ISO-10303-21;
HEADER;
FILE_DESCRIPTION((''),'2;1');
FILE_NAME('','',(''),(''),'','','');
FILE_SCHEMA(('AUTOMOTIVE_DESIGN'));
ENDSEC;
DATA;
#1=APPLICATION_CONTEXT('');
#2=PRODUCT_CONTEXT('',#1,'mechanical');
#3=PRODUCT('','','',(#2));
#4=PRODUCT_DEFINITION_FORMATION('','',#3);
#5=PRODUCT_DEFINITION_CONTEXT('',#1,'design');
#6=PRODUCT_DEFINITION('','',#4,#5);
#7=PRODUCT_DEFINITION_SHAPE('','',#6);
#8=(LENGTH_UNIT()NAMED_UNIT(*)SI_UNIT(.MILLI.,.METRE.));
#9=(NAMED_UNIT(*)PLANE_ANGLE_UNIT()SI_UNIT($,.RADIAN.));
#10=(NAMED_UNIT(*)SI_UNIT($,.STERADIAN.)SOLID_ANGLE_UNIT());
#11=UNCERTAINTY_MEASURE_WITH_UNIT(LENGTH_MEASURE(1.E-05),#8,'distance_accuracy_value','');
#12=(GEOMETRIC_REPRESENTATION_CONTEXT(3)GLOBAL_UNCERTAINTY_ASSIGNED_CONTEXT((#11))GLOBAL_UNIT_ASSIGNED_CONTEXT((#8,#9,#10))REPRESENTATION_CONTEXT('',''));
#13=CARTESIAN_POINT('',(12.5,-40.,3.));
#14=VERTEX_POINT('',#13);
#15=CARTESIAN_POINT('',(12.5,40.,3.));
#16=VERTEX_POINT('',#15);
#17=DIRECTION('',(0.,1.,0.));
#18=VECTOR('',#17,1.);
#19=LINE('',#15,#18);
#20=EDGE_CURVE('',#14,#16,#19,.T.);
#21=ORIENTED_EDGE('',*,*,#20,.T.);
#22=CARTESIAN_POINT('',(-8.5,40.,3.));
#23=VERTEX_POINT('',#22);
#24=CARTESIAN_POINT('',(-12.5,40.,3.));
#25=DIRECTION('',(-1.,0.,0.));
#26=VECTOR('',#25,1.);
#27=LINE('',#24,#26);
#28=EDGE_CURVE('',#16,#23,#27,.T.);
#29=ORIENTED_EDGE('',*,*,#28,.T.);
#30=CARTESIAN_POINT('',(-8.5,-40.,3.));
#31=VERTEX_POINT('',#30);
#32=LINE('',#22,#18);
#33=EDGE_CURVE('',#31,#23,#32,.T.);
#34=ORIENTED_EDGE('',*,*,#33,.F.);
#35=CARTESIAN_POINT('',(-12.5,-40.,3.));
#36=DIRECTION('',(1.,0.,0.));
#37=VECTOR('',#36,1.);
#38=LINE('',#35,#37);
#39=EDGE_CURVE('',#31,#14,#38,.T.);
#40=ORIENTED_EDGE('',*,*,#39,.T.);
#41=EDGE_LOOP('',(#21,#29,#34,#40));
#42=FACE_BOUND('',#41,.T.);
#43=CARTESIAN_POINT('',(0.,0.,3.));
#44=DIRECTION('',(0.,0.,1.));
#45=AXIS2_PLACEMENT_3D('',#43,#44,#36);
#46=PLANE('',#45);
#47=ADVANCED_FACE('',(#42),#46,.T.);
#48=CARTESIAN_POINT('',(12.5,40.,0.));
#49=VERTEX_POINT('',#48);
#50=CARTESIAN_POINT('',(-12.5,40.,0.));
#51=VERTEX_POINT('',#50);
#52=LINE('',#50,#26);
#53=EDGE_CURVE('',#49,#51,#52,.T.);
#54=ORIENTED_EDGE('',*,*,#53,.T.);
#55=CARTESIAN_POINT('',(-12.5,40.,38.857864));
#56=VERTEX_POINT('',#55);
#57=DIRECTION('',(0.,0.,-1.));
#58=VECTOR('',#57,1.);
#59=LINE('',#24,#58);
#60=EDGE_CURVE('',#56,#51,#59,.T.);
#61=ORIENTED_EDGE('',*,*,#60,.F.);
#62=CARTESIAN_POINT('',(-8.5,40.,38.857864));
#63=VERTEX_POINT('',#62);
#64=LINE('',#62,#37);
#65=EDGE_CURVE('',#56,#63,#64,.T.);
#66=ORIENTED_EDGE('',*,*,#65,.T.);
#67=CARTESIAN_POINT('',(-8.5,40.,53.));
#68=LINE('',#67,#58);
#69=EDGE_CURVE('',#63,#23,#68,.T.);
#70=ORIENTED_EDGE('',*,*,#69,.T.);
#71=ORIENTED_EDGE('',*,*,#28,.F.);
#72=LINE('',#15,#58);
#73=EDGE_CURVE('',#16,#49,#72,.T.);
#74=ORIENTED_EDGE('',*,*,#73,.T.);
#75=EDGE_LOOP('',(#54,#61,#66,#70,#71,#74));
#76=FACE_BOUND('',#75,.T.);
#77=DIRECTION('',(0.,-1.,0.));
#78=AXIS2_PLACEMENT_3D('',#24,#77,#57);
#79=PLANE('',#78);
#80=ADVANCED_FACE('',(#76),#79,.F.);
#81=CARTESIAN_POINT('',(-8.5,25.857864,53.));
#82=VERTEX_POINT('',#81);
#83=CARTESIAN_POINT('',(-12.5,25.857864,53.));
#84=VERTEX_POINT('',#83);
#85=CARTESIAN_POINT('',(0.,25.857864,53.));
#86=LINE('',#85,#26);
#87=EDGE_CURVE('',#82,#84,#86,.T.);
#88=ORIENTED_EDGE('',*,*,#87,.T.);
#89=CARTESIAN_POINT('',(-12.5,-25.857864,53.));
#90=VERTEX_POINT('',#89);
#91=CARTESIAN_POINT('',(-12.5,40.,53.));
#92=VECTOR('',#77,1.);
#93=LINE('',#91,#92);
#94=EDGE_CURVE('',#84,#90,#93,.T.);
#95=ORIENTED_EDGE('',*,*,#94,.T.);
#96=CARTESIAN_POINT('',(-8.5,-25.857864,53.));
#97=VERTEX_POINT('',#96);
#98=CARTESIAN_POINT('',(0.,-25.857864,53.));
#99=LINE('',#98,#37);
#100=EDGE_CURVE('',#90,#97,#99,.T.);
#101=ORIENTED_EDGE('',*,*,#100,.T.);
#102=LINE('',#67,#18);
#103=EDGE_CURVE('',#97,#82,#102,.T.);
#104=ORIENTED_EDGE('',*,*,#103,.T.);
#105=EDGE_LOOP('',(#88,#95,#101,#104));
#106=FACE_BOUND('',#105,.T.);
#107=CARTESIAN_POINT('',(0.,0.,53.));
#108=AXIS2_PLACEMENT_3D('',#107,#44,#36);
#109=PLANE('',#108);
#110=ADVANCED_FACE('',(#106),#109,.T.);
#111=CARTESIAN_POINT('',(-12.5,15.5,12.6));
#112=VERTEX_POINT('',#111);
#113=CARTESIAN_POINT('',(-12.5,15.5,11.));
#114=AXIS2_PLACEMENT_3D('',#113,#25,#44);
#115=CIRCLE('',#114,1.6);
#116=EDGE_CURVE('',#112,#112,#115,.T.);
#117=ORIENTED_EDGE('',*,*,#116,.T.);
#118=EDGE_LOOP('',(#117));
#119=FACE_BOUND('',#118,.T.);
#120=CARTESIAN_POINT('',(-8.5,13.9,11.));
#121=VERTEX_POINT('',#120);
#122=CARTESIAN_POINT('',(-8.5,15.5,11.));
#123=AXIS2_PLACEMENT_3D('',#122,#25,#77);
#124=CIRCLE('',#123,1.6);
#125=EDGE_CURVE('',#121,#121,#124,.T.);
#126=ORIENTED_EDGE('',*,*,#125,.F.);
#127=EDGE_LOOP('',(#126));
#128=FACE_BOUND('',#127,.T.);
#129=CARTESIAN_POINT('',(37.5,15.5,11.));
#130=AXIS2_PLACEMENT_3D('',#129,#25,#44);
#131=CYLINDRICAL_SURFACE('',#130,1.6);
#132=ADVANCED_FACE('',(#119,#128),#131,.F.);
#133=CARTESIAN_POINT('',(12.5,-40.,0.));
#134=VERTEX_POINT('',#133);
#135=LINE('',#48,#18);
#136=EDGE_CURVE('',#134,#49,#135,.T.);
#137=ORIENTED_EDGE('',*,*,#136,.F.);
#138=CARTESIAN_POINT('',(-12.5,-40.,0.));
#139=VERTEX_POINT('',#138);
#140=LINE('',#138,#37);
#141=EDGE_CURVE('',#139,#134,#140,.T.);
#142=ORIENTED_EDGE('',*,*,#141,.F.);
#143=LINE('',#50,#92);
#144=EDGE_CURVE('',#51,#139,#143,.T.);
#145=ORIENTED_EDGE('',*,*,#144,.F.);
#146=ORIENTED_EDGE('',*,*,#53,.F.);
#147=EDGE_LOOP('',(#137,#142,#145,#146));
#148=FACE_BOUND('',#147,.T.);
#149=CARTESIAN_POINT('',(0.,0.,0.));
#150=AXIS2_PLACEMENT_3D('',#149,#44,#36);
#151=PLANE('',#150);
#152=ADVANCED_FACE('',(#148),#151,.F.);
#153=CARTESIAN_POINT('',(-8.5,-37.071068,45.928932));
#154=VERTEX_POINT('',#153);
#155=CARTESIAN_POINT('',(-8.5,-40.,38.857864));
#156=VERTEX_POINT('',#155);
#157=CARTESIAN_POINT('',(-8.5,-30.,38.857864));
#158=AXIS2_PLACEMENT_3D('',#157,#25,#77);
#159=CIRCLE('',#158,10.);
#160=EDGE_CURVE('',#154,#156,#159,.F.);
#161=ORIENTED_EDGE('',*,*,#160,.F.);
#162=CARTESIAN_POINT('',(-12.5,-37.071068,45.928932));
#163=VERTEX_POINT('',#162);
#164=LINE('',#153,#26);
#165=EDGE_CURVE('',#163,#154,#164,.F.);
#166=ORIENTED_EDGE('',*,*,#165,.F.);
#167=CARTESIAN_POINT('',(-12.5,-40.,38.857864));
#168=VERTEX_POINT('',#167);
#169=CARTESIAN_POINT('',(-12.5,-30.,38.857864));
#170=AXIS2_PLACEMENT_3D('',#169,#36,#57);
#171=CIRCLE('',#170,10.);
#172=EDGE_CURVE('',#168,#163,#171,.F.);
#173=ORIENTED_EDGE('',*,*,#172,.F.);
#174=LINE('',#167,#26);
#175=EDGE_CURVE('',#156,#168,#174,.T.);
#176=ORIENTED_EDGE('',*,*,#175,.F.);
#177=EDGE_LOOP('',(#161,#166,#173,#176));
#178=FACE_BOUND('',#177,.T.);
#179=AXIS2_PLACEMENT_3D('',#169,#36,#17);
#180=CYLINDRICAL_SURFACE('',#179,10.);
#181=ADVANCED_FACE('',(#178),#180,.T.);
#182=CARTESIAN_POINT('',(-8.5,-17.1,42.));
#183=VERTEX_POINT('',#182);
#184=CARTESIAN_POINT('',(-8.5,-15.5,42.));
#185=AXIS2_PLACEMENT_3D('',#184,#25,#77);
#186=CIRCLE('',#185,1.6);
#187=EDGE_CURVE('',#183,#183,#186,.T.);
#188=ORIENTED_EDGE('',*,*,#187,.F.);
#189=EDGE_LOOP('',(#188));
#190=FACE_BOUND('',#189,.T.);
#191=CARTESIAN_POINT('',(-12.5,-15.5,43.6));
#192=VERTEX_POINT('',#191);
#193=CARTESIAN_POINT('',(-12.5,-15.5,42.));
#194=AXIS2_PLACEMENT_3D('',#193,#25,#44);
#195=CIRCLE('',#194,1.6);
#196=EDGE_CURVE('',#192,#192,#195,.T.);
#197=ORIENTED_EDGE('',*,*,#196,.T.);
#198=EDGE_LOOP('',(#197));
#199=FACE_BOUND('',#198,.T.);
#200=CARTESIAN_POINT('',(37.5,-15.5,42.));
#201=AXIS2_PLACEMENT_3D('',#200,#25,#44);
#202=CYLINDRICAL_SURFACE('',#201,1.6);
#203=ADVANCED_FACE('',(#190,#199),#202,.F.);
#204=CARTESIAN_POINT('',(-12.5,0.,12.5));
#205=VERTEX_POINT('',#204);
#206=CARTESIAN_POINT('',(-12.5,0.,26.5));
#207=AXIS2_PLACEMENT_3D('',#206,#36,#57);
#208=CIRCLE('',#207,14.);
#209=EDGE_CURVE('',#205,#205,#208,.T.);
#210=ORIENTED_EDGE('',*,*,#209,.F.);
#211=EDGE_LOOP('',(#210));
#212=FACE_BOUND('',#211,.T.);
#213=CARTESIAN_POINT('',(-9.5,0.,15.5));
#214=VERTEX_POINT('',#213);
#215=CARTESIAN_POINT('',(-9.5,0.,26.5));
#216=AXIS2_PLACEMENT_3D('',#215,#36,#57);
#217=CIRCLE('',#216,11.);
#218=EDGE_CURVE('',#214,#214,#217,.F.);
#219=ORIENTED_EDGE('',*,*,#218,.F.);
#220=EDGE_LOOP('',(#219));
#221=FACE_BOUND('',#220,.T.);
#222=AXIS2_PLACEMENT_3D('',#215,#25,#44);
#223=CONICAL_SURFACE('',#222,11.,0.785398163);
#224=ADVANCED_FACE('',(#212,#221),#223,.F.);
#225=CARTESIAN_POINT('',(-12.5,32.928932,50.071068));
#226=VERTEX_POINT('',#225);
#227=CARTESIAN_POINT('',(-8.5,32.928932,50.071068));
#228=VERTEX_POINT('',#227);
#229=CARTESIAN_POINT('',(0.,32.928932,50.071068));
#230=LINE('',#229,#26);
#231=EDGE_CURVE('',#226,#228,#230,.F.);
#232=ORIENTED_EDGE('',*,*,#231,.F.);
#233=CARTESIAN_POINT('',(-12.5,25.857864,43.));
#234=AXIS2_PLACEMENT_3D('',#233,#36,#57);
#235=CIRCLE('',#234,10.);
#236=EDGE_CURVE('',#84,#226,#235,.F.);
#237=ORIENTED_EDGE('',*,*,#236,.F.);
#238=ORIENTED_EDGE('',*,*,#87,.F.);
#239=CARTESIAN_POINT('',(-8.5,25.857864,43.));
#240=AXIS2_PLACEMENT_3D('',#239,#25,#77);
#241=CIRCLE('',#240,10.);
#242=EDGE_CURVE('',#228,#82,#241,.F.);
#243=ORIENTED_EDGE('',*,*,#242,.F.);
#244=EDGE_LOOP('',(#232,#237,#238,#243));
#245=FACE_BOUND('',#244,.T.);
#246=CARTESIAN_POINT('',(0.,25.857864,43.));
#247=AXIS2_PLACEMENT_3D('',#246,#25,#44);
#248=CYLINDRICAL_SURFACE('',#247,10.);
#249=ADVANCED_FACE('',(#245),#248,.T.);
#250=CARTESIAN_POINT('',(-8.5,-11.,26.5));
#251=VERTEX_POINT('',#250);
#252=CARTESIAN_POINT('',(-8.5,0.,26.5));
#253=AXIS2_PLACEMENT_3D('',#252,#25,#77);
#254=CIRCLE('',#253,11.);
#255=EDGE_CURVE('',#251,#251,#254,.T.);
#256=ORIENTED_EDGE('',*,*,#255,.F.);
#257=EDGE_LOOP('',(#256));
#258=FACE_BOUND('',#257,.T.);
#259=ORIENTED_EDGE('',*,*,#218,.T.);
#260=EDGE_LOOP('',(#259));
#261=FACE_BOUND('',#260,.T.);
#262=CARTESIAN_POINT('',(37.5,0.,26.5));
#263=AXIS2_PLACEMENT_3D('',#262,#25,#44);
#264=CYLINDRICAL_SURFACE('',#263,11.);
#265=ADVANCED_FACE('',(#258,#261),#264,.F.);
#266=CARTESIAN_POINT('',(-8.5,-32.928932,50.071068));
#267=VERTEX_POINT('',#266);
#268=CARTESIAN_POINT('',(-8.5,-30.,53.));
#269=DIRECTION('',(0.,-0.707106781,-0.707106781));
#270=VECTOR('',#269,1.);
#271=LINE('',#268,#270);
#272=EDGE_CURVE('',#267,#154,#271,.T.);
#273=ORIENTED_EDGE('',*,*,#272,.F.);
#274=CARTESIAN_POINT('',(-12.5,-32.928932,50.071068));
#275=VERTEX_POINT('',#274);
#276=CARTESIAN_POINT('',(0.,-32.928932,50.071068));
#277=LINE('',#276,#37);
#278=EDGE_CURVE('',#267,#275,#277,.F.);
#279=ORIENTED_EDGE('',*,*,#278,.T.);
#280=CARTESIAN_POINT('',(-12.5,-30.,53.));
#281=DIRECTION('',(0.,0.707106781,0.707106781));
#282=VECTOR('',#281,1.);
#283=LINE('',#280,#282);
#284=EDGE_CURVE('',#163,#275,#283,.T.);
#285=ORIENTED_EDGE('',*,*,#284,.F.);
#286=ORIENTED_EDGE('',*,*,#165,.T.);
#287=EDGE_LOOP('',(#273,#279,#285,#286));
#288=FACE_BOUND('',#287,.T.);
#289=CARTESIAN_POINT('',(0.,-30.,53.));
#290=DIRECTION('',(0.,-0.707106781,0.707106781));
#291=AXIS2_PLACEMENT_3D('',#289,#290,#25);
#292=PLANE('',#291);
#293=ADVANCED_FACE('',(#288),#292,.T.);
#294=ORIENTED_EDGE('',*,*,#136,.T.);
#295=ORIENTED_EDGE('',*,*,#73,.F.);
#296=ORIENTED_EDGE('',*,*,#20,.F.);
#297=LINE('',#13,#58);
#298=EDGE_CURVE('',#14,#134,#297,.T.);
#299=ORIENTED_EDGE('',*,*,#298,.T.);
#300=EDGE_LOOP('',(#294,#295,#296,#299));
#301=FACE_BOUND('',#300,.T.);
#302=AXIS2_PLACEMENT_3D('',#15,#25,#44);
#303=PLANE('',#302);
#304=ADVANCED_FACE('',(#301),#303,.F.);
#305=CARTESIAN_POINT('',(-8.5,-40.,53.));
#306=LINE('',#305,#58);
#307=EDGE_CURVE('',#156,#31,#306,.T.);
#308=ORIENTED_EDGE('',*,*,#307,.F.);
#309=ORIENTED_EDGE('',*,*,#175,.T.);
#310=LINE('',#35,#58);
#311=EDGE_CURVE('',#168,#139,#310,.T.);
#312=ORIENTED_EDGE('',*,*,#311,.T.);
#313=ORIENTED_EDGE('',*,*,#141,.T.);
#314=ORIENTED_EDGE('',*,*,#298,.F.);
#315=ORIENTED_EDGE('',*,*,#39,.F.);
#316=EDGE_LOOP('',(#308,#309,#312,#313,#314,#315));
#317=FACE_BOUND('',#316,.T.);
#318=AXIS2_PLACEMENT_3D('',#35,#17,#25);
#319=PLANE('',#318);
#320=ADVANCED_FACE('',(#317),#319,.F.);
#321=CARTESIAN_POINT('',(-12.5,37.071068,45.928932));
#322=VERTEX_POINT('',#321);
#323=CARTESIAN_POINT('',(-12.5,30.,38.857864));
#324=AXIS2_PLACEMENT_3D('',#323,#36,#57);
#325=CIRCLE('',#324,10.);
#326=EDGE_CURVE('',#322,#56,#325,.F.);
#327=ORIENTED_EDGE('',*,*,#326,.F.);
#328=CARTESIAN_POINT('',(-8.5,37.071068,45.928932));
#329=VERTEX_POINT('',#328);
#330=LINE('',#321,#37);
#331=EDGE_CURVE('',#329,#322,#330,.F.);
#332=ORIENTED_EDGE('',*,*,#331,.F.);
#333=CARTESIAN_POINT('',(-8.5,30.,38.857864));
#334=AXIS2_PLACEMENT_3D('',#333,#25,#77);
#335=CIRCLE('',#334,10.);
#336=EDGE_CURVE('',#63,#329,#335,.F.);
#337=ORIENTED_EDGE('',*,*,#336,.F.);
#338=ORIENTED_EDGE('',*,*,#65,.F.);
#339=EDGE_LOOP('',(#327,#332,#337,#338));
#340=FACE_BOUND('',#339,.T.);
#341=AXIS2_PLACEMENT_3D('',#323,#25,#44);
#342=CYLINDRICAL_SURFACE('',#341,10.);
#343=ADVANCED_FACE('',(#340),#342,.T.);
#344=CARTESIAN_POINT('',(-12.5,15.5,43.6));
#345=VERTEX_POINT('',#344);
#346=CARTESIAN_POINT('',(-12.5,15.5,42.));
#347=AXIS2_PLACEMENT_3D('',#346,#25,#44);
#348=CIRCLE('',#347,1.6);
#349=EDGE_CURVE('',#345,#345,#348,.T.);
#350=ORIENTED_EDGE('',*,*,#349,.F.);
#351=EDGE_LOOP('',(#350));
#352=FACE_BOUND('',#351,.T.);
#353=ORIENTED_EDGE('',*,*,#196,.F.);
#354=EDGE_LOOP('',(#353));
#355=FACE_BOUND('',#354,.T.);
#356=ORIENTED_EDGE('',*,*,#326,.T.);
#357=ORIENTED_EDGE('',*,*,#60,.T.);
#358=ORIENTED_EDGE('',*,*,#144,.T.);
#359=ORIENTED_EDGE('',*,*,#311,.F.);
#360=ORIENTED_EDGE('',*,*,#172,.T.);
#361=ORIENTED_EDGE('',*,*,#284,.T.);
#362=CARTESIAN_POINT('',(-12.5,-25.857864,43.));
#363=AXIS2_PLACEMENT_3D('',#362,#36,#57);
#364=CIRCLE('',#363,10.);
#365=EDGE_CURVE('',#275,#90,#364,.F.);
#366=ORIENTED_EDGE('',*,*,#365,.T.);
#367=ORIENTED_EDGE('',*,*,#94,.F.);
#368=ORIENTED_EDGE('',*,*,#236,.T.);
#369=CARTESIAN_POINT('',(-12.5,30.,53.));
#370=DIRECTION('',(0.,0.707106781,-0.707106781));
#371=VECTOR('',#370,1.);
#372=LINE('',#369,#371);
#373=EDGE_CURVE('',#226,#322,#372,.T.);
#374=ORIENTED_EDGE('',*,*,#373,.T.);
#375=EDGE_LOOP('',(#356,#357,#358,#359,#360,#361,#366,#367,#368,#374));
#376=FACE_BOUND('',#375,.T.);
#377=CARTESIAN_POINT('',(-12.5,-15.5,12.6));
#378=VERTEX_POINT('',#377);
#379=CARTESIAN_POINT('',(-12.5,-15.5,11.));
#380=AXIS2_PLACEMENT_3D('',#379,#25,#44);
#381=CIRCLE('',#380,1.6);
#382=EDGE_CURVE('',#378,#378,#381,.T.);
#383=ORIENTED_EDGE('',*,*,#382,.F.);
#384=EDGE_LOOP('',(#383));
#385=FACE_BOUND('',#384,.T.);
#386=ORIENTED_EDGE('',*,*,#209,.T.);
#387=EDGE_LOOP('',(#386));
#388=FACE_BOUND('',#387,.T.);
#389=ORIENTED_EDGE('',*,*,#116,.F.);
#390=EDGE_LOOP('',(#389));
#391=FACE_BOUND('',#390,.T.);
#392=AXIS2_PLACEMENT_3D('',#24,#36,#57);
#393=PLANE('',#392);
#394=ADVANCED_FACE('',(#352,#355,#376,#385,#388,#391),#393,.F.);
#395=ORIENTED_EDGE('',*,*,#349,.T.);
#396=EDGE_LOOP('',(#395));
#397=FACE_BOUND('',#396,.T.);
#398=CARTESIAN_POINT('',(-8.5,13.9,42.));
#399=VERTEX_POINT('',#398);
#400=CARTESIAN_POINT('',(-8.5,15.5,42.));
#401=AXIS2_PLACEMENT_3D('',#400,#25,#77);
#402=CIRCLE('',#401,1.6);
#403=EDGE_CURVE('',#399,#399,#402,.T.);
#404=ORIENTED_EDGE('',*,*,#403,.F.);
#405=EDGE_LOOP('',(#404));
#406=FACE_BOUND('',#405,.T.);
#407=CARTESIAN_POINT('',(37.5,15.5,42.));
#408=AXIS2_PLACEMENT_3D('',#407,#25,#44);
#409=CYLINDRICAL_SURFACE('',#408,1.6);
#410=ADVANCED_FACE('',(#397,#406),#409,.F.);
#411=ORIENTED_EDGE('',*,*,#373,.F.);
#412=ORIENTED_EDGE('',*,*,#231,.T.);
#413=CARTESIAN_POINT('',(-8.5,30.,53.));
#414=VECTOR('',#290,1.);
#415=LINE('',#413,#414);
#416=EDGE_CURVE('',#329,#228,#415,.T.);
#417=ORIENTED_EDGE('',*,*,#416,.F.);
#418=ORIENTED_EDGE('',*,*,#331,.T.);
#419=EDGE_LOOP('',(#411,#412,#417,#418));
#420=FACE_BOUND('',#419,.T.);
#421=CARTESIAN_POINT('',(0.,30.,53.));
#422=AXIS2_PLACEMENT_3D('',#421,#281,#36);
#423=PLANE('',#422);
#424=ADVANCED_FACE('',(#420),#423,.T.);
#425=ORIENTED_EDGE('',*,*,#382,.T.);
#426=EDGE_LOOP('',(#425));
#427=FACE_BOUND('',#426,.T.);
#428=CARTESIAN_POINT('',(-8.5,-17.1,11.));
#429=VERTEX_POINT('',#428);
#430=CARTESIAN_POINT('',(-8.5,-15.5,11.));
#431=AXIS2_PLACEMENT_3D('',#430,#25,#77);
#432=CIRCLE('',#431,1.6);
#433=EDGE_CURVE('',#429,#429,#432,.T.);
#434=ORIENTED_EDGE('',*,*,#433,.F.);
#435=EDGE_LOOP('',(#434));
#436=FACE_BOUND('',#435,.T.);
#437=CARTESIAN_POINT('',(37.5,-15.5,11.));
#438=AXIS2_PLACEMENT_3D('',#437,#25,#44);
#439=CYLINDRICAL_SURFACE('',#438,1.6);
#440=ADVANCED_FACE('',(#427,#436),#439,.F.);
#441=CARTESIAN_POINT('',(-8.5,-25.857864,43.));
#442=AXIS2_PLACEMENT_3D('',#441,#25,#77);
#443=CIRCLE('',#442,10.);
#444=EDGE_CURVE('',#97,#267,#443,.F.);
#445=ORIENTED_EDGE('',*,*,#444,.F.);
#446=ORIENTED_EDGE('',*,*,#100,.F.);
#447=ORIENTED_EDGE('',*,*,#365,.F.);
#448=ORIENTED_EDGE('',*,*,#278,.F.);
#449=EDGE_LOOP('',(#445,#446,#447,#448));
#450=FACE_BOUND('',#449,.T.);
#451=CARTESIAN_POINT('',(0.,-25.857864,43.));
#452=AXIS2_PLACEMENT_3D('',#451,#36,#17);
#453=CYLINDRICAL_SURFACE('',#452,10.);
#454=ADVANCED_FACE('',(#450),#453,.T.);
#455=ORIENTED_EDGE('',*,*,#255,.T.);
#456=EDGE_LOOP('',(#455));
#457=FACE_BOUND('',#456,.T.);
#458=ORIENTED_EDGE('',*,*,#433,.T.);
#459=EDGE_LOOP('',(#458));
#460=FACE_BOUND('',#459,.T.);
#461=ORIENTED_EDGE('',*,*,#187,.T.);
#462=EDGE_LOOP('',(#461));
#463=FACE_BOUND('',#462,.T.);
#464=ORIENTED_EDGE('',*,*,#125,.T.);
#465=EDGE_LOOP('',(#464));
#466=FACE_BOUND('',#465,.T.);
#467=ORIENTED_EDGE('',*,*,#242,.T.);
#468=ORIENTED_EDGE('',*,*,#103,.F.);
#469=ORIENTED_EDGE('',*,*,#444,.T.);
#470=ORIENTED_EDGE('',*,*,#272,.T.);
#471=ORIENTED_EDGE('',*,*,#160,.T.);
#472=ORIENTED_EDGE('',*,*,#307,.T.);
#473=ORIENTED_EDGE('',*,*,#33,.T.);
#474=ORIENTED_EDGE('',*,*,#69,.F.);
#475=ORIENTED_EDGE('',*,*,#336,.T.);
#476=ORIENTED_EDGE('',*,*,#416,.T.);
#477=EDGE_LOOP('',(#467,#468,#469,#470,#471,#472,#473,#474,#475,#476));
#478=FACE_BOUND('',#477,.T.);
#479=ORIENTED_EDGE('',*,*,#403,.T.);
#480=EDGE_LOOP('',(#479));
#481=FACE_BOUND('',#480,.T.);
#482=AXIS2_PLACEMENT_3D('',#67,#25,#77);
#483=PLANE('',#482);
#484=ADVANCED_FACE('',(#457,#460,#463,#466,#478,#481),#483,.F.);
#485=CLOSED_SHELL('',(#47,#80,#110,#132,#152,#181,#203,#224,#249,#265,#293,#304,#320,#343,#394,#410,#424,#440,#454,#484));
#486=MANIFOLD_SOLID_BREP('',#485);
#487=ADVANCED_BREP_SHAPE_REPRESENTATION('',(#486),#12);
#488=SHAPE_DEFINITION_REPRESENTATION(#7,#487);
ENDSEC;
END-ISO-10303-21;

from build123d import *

# Parameters (mm, degrees)
CROQUIS1_W              = 25
CROQUIS1_H              = 80
SALIENTE_EXTRUIR1_DEPTH = 3
CROQUIS2_W              = 4
CROQUIS2_H              = 80
SALIENTE_EXTRUIR2_DEPTH = 50
CHAFL_N1_SIZE           = 10
REDONDEO1_R             = 10
CROQUIS3_R              = 1.6
CROQUIS3_R_2            = 11
CORTAR_EXTRUIR1_DEPTH   = 50
CHAFL_N2_SIZE           = 3


with BuildPart() as part:
    # Croquis1 → Saliente-Extruir1 (new body)
    with BuildSketch(Plane.XY):
        Rectangle(CROQUIS1_W, CROQUIS1_H)
    extrude(amount=SALIENTE_EXTRUIR1_DEPTH)

    # Croquis2 → Saliente-Extruir2 (add)
    with BuildSketch(Plane.XY.offset(3)):
        with Locations((-10.5, 0)):
            Rectangle(CROQUIS2_W, CROQUIS2_H)
    extrude(amount=SALIENTE_EXTRUIR2_DEPTH)

    # Chaflán1
    chafl_n1_edges = [part.edges().sort_by_distance(p)[0] for p in [
        (-10.5, -40, 53),
        (-10.5, 40, 53),
    ]]
    chamfer(chafl_n1_edges, length=CHAFL_N1_SIZE)

    # Redondeo1
    redondeo1_edges = [part.edges().sort_by_distance(p)[0] for p in [
        (-10.5, 30, 53),
        (-10.5, -30, 53),
        (-10.5, -40, 43),
        (-10.5, 40, 43),
    ]]
    fillet(redondeo1_edges, radius=REDONDEO1_R)

    # Croquis3 → Cortar-Extruir1 (cut)
    with BuildSketch(Plane.ZY.offset(12.5)):
        with Locations((11, 15.5)):
            Circle(CROQUIS3_R)
        with Locations((42, 15.5)):
            Circle(CROQUIS3_R)
        with Locations((11, -15.5)):
            Circle(CROQUIS3_R)
        with Locations((42, -15.5)):
            Circle(CROQUIS3_R)
        with Locations((26.5, 0)):
            Circle(CROQUIS3_R_2)
    extrude(amount=-CORTAR_EXTRUIR1_DEPTH, mode=Mode.SUBTRACT)

    # Chaflán2
    chafl_n2_edges = [part.edges().sort_by_distance(p)[0] for p in [
        (-12.5, 0, 15.5),
    ]]
    chamfer(chafl_n2_edges, length=CHAFL_N2_SIZE)


solid = part.part
